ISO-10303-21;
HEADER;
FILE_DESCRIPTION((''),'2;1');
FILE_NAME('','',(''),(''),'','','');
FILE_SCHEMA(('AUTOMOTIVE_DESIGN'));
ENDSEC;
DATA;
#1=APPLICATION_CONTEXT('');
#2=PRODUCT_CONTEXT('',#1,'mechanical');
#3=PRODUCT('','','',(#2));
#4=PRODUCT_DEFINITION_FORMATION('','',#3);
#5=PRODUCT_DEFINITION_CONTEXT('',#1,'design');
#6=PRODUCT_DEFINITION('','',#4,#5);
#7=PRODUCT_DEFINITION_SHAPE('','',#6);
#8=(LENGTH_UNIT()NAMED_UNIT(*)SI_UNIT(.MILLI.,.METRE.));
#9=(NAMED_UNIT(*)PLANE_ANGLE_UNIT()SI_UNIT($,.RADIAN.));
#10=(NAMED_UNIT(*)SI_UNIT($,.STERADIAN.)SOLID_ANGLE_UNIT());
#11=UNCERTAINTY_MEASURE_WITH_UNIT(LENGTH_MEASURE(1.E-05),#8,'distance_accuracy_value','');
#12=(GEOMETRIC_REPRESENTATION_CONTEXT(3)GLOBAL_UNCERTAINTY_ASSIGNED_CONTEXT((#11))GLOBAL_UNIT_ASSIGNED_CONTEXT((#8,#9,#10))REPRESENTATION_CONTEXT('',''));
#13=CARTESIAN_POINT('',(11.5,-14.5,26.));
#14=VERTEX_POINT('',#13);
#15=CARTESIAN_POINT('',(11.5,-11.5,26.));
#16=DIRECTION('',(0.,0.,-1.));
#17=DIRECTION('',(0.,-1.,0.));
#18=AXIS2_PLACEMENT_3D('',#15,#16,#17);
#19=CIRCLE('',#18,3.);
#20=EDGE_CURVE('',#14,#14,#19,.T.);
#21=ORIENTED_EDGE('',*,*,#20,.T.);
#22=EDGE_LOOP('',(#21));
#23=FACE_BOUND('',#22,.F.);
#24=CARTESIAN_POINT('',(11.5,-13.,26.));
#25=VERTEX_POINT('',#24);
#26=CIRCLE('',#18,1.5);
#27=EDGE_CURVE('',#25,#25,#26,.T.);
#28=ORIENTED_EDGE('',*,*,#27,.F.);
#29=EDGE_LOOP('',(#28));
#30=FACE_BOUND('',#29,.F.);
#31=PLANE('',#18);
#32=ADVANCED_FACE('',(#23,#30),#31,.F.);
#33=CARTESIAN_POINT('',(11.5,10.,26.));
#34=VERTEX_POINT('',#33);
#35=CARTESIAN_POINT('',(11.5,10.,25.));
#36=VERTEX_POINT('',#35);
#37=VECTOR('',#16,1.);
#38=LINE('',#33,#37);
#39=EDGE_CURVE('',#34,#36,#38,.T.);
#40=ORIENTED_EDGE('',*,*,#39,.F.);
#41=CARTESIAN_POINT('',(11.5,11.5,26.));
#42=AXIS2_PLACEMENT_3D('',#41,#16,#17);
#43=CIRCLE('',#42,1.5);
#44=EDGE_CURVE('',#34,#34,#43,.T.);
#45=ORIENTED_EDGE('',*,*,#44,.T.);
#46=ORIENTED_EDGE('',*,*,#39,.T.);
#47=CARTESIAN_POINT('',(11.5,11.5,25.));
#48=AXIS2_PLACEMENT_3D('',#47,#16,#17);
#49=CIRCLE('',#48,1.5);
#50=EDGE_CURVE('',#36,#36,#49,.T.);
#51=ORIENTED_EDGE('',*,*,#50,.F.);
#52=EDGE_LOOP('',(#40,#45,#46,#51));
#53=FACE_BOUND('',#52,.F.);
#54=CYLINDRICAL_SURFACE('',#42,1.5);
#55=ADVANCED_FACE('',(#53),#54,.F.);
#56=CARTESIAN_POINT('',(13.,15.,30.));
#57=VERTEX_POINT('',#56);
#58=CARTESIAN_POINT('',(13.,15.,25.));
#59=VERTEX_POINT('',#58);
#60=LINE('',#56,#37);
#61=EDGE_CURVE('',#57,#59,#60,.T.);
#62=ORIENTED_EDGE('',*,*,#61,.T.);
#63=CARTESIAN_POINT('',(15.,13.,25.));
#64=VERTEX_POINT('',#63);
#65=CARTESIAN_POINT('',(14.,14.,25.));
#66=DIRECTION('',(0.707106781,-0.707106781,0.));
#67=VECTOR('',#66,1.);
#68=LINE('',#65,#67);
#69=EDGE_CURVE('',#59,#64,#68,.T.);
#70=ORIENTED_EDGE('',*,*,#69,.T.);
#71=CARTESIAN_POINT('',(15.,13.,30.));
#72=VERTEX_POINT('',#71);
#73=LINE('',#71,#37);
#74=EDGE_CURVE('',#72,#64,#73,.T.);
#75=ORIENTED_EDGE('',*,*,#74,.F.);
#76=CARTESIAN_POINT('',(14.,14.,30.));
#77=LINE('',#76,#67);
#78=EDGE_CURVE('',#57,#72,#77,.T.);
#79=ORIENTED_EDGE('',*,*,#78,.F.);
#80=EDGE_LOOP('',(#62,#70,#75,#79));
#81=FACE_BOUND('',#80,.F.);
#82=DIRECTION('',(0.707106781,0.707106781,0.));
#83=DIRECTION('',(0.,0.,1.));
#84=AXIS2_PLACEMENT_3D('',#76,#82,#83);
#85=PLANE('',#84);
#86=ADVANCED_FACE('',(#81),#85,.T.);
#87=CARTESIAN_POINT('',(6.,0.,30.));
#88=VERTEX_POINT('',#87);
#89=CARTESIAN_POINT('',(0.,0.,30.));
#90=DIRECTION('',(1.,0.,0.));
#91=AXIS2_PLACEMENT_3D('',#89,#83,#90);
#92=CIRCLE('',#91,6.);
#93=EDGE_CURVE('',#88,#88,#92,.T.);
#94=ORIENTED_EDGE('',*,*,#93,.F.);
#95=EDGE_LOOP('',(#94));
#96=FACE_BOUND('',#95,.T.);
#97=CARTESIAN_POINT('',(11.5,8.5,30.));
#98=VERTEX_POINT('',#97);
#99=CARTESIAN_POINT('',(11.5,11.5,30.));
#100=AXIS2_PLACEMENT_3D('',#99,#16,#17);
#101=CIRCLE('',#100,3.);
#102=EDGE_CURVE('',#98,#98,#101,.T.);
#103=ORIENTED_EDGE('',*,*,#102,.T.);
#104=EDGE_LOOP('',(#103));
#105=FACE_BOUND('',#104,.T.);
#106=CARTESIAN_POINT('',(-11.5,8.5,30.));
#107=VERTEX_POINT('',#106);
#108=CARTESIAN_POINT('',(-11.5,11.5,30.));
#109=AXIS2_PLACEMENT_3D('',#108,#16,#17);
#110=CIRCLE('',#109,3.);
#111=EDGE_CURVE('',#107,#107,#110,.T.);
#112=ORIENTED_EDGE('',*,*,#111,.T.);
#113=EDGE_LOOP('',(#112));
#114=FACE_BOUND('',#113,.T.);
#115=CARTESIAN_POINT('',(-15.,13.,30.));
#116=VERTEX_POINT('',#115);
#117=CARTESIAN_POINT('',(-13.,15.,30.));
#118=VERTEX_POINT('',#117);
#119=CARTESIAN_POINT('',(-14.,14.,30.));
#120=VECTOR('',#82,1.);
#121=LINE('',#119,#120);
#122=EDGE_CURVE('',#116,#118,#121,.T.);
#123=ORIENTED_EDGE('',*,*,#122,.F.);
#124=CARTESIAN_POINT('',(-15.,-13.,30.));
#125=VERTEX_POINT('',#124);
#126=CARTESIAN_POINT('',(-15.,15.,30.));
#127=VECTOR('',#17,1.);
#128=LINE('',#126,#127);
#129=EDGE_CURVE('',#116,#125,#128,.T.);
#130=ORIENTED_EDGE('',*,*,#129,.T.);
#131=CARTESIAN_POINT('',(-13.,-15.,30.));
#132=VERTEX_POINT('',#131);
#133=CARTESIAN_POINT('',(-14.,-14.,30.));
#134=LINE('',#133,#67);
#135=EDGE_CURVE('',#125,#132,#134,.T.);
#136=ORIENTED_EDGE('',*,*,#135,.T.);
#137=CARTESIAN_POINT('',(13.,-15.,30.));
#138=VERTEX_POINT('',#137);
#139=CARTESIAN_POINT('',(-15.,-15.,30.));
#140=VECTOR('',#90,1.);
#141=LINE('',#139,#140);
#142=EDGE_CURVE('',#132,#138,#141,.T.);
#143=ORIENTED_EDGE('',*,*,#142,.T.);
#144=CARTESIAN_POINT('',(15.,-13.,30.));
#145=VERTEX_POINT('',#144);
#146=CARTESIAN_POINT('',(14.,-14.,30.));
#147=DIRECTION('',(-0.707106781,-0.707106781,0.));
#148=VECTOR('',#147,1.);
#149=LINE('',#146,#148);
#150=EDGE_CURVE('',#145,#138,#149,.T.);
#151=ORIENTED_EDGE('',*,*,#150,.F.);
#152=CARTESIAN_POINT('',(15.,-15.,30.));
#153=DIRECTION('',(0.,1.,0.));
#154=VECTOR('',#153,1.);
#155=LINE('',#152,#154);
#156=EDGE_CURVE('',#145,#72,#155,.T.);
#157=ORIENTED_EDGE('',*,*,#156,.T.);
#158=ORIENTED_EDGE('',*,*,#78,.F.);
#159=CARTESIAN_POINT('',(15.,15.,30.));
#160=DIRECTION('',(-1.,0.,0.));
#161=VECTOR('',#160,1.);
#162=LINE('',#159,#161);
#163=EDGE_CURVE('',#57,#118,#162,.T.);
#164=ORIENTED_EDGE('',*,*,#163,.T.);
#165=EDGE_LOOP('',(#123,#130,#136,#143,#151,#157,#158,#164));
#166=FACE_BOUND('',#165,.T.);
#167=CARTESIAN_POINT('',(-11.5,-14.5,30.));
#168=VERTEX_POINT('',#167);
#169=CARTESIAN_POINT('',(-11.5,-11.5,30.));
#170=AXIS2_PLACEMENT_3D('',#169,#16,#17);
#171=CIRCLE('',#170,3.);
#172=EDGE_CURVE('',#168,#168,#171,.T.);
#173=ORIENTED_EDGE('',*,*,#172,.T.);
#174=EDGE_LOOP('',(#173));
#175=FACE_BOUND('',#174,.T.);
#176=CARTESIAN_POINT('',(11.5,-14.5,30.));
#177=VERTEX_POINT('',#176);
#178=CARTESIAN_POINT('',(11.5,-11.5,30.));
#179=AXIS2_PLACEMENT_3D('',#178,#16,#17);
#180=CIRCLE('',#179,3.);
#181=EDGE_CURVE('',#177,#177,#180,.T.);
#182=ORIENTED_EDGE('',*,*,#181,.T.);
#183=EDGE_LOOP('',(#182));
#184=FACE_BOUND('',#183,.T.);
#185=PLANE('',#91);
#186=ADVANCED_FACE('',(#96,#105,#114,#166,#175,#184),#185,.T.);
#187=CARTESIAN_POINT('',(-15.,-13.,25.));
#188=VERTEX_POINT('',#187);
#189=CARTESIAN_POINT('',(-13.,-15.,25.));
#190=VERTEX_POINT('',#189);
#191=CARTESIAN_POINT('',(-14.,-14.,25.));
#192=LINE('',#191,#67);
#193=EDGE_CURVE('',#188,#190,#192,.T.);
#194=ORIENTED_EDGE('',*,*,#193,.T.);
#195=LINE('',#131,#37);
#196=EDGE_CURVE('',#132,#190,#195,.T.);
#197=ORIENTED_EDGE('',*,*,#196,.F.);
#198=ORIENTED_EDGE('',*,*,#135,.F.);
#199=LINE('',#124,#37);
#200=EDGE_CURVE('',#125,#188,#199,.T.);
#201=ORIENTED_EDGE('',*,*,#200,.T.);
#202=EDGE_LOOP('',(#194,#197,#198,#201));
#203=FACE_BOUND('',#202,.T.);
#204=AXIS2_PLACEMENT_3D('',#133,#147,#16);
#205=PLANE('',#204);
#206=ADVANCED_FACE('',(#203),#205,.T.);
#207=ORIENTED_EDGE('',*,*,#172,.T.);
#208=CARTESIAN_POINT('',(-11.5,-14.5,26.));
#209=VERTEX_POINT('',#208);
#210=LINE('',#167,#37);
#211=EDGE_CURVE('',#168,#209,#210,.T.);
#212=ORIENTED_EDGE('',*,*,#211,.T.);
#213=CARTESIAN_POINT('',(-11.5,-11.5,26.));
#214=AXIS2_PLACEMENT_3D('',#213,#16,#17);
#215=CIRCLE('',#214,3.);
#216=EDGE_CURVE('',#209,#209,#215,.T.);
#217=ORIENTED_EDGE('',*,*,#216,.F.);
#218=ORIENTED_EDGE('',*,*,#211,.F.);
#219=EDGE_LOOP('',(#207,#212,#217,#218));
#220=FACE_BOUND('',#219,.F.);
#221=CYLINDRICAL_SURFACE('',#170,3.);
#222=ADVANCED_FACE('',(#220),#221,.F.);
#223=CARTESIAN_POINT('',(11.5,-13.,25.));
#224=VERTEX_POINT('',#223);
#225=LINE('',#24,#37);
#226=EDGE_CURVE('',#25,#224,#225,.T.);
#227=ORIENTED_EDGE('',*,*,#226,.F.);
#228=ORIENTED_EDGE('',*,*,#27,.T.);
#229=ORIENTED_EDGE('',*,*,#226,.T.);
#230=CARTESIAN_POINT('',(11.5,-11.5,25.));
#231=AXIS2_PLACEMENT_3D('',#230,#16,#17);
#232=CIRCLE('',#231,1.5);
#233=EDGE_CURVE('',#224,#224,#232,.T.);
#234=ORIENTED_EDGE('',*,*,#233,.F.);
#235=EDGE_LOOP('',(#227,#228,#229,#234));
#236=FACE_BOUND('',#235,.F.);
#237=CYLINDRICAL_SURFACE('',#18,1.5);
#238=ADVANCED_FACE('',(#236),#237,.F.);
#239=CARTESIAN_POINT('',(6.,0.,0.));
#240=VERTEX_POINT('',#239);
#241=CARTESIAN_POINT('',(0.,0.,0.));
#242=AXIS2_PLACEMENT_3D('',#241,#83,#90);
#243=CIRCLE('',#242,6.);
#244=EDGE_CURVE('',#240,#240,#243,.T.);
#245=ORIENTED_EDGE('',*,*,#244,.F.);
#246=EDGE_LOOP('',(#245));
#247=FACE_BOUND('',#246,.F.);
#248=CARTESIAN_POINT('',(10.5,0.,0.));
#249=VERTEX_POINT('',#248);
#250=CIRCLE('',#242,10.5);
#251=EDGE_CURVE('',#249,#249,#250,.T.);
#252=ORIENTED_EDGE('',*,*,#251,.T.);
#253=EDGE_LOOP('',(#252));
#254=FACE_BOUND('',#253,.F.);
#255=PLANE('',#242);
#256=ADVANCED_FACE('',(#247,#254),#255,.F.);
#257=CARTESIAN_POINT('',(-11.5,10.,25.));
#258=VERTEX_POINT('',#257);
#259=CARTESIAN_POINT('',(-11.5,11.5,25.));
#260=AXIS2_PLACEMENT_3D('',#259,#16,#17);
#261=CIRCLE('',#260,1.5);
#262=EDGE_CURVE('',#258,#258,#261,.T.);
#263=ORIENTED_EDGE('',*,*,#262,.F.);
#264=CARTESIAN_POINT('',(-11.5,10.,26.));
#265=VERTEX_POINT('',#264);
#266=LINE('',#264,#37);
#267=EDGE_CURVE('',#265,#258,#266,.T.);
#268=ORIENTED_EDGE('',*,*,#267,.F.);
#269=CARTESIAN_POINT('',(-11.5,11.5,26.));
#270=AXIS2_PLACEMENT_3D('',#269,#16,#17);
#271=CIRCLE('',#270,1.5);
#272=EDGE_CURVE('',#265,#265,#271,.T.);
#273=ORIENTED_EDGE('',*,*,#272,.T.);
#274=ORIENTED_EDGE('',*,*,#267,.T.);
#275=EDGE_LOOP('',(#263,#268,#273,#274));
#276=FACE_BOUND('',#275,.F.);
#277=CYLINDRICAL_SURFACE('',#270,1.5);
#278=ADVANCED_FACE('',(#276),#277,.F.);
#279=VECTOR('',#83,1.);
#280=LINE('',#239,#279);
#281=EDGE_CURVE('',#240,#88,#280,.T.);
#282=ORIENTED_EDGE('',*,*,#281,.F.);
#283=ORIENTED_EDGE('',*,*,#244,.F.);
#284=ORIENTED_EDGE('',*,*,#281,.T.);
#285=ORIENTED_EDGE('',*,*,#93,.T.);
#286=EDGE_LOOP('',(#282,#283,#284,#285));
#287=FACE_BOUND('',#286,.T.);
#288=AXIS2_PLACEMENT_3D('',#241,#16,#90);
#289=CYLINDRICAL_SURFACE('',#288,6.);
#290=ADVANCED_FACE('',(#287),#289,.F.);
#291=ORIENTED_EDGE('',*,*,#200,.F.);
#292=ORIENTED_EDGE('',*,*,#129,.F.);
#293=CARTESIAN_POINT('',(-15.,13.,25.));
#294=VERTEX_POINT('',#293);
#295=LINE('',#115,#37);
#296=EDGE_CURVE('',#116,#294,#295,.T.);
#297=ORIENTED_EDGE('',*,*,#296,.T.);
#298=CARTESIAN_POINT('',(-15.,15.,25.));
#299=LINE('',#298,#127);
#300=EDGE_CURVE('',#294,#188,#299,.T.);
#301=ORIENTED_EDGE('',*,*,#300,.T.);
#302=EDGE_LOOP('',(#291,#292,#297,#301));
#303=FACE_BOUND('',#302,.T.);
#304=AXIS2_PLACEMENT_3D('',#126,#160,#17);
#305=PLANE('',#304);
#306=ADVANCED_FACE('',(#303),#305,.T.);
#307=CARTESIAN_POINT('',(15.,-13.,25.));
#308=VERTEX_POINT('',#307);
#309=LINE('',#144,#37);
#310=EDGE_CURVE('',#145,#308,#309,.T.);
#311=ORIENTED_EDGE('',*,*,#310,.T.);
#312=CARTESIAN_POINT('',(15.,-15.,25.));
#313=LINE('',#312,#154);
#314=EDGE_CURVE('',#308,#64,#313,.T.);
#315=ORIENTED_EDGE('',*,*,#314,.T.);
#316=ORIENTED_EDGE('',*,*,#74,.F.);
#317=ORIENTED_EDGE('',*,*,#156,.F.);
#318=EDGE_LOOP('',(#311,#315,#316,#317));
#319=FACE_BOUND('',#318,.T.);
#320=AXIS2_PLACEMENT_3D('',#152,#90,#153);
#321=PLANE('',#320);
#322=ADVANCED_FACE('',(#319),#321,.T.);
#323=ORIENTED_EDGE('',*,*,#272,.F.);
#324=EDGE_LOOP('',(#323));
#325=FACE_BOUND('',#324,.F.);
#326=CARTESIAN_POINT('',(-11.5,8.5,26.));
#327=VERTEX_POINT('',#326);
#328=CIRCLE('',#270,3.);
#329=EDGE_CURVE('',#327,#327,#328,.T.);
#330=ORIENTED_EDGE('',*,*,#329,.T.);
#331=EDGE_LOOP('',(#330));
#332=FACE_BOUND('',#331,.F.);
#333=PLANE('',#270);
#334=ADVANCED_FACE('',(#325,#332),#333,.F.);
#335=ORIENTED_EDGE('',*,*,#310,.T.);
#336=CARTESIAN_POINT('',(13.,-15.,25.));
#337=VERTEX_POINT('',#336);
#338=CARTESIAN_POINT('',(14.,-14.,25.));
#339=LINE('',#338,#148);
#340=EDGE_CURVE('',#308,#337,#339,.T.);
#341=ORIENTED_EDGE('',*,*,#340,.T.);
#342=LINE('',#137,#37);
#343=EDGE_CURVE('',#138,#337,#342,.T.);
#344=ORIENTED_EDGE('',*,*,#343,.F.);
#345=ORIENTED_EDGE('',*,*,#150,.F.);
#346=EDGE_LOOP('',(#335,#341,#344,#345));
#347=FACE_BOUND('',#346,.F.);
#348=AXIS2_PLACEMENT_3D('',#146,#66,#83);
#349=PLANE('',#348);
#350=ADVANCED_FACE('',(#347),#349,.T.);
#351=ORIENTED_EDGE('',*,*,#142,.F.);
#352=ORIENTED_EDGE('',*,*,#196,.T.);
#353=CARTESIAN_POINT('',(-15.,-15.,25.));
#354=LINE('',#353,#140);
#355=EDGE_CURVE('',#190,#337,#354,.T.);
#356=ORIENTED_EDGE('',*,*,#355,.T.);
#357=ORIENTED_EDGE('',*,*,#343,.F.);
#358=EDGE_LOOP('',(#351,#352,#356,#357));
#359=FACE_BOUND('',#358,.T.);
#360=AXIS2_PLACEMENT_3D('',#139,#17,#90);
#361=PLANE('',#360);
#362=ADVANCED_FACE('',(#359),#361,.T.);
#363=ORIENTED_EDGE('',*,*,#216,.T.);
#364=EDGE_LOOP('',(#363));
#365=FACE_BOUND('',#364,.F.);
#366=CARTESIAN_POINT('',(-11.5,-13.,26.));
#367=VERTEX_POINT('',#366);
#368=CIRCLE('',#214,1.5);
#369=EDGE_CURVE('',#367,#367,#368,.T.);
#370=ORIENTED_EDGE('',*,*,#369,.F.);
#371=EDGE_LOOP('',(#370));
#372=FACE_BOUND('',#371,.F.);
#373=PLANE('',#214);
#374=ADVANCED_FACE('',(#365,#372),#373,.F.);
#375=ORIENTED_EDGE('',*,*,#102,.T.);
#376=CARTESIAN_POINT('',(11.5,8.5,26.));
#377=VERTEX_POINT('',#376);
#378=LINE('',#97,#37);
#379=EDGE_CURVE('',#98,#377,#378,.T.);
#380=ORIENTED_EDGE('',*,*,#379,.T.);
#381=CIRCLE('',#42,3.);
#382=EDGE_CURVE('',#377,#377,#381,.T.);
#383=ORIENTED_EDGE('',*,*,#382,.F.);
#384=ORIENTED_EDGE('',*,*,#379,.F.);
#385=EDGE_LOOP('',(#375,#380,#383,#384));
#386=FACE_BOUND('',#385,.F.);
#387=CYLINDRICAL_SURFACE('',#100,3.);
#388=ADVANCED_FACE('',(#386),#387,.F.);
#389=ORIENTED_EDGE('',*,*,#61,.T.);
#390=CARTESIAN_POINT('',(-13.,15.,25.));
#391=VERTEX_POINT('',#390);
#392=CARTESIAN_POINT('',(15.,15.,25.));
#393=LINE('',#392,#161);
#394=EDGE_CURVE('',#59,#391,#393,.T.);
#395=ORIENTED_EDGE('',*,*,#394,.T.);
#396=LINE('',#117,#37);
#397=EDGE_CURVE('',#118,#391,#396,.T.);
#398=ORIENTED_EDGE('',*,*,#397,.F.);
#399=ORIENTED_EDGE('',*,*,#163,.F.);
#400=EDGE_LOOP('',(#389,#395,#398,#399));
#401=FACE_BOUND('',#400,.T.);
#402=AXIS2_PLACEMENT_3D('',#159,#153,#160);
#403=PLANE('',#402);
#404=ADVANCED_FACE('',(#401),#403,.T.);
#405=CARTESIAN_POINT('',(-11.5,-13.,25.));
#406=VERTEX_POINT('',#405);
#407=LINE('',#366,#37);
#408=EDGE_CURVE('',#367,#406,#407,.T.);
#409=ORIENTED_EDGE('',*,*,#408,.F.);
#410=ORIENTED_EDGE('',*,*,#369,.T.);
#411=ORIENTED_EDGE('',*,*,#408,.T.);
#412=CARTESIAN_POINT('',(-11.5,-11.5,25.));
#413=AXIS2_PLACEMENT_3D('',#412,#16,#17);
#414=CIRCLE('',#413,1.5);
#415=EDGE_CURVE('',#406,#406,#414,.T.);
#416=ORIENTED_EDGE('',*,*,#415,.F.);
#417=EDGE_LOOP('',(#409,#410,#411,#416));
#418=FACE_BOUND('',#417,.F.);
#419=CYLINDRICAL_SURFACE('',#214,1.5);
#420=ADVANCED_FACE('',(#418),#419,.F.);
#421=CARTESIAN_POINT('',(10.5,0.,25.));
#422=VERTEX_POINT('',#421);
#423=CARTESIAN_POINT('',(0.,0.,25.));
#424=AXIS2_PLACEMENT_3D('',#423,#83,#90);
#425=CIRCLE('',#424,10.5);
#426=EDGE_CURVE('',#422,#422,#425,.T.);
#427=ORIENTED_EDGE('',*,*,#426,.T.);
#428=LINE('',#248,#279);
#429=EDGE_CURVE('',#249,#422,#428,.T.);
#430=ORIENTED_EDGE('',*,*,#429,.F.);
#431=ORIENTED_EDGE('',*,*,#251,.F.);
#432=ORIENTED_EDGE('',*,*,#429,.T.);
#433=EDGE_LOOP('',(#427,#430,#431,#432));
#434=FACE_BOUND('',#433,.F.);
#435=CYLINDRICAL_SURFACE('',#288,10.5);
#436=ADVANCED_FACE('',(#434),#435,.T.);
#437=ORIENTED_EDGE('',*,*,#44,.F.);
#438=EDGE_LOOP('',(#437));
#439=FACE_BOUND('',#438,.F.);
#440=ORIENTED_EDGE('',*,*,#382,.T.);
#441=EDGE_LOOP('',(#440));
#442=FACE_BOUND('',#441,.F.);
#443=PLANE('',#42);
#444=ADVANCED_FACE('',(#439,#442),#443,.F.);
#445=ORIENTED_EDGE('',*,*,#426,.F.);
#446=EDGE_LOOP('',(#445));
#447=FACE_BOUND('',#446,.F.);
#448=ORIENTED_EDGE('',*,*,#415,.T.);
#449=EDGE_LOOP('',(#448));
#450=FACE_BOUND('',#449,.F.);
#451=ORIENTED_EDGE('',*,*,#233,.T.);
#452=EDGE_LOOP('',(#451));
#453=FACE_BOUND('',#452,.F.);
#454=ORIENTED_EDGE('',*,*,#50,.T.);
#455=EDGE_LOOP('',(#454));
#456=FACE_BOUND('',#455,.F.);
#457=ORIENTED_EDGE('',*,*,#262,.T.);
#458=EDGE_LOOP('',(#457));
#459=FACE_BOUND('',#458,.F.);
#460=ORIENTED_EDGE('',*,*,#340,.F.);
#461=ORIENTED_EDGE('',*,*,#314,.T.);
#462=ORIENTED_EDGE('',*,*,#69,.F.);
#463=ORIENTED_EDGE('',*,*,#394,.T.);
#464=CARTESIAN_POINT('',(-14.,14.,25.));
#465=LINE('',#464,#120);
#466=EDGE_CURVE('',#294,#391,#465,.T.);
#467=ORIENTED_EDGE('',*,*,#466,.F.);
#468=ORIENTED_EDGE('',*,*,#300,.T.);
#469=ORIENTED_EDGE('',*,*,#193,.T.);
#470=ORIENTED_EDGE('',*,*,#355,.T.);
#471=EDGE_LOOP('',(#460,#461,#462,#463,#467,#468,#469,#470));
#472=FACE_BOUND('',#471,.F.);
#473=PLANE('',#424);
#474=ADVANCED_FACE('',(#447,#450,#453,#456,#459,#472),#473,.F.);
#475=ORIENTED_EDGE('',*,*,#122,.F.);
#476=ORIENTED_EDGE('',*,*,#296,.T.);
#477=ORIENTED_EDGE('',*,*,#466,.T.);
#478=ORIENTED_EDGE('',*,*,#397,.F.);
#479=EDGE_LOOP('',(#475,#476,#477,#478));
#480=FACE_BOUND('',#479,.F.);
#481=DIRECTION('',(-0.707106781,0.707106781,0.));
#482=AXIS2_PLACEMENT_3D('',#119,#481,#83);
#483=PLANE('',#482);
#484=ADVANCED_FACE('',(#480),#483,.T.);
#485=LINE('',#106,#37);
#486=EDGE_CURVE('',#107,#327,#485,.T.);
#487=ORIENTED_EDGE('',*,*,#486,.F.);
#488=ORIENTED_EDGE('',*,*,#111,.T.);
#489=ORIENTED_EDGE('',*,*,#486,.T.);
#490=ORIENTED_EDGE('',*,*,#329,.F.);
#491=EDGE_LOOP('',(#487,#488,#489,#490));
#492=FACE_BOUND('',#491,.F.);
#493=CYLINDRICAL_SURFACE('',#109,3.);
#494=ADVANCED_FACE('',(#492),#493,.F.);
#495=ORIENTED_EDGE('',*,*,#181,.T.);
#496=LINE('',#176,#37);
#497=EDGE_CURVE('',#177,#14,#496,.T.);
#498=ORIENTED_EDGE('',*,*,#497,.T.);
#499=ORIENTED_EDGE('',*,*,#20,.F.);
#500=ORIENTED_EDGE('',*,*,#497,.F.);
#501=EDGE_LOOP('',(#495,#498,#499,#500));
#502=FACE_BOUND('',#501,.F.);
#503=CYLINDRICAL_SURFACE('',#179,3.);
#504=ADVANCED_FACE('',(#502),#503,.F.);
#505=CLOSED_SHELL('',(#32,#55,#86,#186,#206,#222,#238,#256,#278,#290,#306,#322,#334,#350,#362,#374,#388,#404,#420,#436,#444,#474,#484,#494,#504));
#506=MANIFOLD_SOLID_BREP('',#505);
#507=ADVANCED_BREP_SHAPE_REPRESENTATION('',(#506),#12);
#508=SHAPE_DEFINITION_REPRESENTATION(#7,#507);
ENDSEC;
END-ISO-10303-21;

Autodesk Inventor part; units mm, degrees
ref_plane "YZ Plane" through (0, 0, 0) normal (1, 0, 0) x (0, 1, 0)
ref_plane "XZ Plane" through (0, 0, 0) normal (0, 1, 0) x (-1, 0, 0)
ref_plane "XY Plane" through (0, 0, 0) normal (0, 0, 1) x (1, 0, 0)
sketch "Sketch1" plane through (0, 0, 0) normal (0, 0, 1) x (1, 0, 0)
  circle A0 centre (0, 0) radius 10.5
  circle A1 centre (0, 0) radius 6
  dimension "d0" = 12
  dimension "d1" = 21
extrude "Extrusion1" add sketch "Sketch1" along normal blind 30
sketch "Sketch2" plane through (0, 0, 30) normal (0, 0, 1) x (1, 0, 0)
  circle A0 centre (0, 0) radius 6 projected
  circle A1 centre (0, 0) radius 10.5 projected
  line L0 (-15, -15) -> (15, -15)
  line L1 (15, -15) -> (15, 15)
  line L2 (15, 15) -> (-15, 15)
  line L3 (-15, 15) -> (-15, -15)
  line L4 (-15, -15) -> (15, 15) construction
  line L5 (15, -15) -> (-15, 15) construction
  dimension "d4" = 30
extrude "Extrusion2" add sketch "Sketch2" against normal blind 5 contours L3 L2 L1 L0
chamfer "Chamfer1" distance 2 angle 45 4 edges at (-15, 15, 27.5) (-15, -15, 27.5) (15, -15, 27.5) (15, 15, 27.5)
sketch "Sketch3" plane through (0, 0, 30) normal (0, 0, 1) x (1, 0, 0)
  point P0 (0, 0)
  point P1 (11.5, 11.5)
  point P2 (11.5, -11.5)
  point P3 (-11.5, -11.5)
  point P4 (-11.5, 11.5)
  dimension "d10" = 23
  dimension "d11" = 11.5
  dimension "d12" = 11.5
  dimension "d13" = 23
hole "Hole1" at (11.5, 11.5, 30) at (11.5, -11.5, 30) at (-11.5, -11.5, 30) at (-11.5, 11.5, 30) direction (0, 0, -1) diameter 3 depth 8 tip angle 118 counterbore diameter 6 counterbore depth 4
equation "\"d11\" = 0.5 * d10"
equation "\"d12\" = d11"
equation "\"d13\" = d10"
properties part number "LM12UU" material "Stainless Steel"
